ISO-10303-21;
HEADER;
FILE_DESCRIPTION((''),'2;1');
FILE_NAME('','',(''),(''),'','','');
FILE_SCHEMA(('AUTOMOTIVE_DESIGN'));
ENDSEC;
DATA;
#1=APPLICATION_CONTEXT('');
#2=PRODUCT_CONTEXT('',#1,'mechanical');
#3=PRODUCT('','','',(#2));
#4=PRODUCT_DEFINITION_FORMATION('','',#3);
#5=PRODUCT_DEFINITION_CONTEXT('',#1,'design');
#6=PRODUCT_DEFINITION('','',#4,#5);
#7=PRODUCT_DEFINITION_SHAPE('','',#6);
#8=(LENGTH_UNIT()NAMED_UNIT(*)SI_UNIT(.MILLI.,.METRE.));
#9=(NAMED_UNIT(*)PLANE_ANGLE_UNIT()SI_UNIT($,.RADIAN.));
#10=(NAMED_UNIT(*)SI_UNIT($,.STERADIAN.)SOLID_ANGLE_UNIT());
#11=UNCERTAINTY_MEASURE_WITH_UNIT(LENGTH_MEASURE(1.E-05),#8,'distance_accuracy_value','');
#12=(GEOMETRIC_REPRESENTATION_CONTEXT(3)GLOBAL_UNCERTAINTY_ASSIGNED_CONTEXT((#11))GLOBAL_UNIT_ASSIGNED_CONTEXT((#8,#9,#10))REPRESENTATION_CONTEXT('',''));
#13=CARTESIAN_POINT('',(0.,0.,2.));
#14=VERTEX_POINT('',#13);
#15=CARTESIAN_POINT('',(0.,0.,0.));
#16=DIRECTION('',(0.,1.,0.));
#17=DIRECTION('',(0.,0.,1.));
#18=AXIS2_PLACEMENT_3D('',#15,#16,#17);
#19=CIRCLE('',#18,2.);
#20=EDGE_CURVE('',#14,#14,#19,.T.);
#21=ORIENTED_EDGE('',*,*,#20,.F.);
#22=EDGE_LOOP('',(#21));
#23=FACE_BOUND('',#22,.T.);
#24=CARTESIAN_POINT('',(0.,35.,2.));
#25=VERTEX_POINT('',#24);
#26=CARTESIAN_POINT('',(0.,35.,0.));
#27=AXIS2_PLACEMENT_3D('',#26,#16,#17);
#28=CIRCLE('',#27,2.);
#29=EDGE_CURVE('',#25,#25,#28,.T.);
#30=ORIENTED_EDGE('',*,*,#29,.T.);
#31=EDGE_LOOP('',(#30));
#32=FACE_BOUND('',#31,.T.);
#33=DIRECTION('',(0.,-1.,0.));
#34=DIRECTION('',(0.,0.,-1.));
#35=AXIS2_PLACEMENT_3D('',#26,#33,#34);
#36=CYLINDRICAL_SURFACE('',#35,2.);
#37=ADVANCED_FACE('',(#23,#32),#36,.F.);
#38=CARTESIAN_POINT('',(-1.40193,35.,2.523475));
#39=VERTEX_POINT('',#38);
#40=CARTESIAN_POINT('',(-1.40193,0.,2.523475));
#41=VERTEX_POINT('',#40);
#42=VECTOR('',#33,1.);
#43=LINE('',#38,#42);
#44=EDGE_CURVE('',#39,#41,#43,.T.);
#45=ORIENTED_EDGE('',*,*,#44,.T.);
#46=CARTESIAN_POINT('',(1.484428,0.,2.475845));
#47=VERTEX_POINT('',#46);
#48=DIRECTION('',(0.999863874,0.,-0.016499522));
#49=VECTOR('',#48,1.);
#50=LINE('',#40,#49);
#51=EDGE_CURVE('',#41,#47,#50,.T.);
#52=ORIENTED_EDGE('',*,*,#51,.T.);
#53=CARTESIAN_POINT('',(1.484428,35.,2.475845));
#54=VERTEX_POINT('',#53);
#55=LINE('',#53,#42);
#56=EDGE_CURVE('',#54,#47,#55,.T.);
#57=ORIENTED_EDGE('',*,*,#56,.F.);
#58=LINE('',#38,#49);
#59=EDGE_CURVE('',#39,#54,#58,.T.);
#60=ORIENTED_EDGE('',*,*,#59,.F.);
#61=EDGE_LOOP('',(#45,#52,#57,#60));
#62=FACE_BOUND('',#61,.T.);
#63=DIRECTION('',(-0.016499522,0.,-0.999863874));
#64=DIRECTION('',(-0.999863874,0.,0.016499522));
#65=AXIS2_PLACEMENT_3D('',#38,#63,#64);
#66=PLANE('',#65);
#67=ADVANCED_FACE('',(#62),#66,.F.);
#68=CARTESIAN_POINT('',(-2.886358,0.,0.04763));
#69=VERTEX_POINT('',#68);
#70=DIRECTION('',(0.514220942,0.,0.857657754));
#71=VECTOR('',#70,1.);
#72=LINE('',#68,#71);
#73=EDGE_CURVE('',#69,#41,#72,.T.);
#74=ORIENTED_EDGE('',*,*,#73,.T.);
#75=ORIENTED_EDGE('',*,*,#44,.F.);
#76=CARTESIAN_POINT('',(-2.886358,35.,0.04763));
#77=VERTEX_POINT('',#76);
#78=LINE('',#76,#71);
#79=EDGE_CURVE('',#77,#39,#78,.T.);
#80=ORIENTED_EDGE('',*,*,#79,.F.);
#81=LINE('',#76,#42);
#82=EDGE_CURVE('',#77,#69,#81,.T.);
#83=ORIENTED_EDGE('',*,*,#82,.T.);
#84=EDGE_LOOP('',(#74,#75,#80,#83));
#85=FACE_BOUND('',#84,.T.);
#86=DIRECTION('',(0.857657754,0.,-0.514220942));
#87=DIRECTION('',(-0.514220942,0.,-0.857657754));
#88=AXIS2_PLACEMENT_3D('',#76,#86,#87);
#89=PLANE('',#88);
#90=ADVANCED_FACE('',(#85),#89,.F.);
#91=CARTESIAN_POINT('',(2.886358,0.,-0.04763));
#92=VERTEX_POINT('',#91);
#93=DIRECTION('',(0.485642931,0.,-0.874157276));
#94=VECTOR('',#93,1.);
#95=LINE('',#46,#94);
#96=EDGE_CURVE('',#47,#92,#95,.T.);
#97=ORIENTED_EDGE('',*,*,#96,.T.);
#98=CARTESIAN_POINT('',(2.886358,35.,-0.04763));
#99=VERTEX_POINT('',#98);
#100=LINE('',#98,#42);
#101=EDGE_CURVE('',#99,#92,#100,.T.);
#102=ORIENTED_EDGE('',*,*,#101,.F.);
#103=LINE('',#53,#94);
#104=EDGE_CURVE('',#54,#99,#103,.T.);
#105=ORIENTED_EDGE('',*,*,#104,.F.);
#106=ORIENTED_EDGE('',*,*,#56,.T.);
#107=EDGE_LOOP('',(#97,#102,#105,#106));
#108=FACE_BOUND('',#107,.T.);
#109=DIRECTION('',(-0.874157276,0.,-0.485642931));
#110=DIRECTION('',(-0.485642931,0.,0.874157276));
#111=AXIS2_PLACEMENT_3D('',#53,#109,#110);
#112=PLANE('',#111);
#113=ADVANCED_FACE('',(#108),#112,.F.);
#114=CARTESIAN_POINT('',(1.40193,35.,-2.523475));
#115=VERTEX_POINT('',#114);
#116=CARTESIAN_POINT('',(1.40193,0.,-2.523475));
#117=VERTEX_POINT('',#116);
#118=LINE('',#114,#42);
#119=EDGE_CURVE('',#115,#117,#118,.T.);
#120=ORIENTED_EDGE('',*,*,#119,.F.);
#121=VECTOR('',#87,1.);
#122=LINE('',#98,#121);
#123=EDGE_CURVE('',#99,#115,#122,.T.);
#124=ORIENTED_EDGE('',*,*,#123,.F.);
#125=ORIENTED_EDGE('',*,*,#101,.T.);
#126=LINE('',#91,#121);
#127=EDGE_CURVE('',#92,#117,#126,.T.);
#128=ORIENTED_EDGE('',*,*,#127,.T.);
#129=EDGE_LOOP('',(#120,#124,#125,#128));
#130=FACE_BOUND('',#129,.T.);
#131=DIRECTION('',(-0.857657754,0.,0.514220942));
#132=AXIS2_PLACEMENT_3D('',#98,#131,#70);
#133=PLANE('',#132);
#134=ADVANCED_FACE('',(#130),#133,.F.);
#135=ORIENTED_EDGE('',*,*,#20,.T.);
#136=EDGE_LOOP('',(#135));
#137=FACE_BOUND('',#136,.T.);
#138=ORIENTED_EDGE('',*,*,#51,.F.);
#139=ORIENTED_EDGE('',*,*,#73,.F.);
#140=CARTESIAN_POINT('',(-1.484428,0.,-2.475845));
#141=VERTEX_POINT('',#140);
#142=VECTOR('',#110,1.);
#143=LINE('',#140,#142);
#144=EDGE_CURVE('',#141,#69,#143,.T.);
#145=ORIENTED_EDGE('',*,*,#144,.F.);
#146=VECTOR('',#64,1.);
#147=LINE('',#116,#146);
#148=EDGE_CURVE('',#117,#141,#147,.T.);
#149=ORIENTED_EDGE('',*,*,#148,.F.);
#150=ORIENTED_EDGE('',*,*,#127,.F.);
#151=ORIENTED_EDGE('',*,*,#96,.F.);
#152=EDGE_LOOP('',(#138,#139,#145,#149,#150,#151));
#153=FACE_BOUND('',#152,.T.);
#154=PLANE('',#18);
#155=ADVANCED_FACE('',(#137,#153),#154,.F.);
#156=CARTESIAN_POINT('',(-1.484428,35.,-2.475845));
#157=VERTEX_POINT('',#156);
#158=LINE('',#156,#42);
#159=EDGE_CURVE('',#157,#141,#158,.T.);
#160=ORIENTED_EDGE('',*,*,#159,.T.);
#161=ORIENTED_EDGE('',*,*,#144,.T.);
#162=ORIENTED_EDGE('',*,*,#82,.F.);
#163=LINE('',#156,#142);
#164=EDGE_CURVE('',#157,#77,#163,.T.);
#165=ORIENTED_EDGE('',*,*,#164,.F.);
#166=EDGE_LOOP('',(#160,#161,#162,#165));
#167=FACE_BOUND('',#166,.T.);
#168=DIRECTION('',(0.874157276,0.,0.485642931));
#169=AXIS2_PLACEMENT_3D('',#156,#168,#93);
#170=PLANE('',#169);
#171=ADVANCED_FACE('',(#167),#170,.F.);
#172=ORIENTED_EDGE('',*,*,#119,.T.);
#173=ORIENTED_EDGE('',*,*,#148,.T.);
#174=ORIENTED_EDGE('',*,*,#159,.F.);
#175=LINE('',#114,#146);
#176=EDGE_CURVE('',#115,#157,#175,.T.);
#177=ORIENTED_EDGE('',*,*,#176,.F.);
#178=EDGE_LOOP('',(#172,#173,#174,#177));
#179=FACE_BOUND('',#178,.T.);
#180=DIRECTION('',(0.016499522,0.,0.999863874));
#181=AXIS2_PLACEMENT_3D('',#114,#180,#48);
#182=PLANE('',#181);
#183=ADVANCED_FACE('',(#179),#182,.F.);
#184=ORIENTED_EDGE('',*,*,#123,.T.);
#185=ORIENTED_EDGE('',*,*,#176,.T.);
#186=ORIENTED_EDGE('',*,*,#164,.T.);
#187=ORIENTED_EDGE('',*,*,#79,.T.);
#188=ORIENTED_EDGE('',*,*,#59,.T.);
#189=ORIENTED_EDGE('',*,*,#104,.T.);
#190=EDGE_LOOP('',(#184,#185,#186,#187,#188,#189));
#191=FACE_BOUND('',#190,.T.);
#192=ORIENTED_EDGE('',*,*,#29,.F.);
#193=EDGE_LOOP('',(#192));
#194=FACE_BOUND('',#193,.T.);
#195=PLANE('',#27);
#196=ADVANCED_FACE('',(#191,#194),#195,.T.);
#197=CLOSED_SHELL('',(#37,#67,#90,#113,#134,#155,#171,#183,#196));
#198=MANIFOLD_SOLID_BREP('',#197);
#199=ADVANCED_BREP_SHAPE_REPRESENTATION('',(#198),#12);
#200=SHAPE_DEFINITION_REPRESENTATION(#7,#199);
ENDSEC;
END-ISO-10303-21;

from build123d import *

# Parameters (mm, degrees)
SKETCH_1_R      = 2
EXTRUDE_1_DEPTH = 35


with BuildPart() as part:
    # 草图1 → 凸台-拉伸1 (new body)
    with BuildSketch(Plane(origin=(0, 0, 0), x_dir=(1, 0, 0), z_dir=(0, 1, 0))):
        Polygon((1.401930385, 2.523474693), (-1.484427998, 2.475844675), (-2.886358383, -0.047630019), (-1.401930385, -2.523474693), (1.484427998, -2.475844675), (2.886358383, 0.047630019), align=None)
        Circle(SKETCH_1_R, mode=Mode.SUBTRACT)
    extrude(amount=EXTRUDE_1_DEPTH)


solid = part.part
